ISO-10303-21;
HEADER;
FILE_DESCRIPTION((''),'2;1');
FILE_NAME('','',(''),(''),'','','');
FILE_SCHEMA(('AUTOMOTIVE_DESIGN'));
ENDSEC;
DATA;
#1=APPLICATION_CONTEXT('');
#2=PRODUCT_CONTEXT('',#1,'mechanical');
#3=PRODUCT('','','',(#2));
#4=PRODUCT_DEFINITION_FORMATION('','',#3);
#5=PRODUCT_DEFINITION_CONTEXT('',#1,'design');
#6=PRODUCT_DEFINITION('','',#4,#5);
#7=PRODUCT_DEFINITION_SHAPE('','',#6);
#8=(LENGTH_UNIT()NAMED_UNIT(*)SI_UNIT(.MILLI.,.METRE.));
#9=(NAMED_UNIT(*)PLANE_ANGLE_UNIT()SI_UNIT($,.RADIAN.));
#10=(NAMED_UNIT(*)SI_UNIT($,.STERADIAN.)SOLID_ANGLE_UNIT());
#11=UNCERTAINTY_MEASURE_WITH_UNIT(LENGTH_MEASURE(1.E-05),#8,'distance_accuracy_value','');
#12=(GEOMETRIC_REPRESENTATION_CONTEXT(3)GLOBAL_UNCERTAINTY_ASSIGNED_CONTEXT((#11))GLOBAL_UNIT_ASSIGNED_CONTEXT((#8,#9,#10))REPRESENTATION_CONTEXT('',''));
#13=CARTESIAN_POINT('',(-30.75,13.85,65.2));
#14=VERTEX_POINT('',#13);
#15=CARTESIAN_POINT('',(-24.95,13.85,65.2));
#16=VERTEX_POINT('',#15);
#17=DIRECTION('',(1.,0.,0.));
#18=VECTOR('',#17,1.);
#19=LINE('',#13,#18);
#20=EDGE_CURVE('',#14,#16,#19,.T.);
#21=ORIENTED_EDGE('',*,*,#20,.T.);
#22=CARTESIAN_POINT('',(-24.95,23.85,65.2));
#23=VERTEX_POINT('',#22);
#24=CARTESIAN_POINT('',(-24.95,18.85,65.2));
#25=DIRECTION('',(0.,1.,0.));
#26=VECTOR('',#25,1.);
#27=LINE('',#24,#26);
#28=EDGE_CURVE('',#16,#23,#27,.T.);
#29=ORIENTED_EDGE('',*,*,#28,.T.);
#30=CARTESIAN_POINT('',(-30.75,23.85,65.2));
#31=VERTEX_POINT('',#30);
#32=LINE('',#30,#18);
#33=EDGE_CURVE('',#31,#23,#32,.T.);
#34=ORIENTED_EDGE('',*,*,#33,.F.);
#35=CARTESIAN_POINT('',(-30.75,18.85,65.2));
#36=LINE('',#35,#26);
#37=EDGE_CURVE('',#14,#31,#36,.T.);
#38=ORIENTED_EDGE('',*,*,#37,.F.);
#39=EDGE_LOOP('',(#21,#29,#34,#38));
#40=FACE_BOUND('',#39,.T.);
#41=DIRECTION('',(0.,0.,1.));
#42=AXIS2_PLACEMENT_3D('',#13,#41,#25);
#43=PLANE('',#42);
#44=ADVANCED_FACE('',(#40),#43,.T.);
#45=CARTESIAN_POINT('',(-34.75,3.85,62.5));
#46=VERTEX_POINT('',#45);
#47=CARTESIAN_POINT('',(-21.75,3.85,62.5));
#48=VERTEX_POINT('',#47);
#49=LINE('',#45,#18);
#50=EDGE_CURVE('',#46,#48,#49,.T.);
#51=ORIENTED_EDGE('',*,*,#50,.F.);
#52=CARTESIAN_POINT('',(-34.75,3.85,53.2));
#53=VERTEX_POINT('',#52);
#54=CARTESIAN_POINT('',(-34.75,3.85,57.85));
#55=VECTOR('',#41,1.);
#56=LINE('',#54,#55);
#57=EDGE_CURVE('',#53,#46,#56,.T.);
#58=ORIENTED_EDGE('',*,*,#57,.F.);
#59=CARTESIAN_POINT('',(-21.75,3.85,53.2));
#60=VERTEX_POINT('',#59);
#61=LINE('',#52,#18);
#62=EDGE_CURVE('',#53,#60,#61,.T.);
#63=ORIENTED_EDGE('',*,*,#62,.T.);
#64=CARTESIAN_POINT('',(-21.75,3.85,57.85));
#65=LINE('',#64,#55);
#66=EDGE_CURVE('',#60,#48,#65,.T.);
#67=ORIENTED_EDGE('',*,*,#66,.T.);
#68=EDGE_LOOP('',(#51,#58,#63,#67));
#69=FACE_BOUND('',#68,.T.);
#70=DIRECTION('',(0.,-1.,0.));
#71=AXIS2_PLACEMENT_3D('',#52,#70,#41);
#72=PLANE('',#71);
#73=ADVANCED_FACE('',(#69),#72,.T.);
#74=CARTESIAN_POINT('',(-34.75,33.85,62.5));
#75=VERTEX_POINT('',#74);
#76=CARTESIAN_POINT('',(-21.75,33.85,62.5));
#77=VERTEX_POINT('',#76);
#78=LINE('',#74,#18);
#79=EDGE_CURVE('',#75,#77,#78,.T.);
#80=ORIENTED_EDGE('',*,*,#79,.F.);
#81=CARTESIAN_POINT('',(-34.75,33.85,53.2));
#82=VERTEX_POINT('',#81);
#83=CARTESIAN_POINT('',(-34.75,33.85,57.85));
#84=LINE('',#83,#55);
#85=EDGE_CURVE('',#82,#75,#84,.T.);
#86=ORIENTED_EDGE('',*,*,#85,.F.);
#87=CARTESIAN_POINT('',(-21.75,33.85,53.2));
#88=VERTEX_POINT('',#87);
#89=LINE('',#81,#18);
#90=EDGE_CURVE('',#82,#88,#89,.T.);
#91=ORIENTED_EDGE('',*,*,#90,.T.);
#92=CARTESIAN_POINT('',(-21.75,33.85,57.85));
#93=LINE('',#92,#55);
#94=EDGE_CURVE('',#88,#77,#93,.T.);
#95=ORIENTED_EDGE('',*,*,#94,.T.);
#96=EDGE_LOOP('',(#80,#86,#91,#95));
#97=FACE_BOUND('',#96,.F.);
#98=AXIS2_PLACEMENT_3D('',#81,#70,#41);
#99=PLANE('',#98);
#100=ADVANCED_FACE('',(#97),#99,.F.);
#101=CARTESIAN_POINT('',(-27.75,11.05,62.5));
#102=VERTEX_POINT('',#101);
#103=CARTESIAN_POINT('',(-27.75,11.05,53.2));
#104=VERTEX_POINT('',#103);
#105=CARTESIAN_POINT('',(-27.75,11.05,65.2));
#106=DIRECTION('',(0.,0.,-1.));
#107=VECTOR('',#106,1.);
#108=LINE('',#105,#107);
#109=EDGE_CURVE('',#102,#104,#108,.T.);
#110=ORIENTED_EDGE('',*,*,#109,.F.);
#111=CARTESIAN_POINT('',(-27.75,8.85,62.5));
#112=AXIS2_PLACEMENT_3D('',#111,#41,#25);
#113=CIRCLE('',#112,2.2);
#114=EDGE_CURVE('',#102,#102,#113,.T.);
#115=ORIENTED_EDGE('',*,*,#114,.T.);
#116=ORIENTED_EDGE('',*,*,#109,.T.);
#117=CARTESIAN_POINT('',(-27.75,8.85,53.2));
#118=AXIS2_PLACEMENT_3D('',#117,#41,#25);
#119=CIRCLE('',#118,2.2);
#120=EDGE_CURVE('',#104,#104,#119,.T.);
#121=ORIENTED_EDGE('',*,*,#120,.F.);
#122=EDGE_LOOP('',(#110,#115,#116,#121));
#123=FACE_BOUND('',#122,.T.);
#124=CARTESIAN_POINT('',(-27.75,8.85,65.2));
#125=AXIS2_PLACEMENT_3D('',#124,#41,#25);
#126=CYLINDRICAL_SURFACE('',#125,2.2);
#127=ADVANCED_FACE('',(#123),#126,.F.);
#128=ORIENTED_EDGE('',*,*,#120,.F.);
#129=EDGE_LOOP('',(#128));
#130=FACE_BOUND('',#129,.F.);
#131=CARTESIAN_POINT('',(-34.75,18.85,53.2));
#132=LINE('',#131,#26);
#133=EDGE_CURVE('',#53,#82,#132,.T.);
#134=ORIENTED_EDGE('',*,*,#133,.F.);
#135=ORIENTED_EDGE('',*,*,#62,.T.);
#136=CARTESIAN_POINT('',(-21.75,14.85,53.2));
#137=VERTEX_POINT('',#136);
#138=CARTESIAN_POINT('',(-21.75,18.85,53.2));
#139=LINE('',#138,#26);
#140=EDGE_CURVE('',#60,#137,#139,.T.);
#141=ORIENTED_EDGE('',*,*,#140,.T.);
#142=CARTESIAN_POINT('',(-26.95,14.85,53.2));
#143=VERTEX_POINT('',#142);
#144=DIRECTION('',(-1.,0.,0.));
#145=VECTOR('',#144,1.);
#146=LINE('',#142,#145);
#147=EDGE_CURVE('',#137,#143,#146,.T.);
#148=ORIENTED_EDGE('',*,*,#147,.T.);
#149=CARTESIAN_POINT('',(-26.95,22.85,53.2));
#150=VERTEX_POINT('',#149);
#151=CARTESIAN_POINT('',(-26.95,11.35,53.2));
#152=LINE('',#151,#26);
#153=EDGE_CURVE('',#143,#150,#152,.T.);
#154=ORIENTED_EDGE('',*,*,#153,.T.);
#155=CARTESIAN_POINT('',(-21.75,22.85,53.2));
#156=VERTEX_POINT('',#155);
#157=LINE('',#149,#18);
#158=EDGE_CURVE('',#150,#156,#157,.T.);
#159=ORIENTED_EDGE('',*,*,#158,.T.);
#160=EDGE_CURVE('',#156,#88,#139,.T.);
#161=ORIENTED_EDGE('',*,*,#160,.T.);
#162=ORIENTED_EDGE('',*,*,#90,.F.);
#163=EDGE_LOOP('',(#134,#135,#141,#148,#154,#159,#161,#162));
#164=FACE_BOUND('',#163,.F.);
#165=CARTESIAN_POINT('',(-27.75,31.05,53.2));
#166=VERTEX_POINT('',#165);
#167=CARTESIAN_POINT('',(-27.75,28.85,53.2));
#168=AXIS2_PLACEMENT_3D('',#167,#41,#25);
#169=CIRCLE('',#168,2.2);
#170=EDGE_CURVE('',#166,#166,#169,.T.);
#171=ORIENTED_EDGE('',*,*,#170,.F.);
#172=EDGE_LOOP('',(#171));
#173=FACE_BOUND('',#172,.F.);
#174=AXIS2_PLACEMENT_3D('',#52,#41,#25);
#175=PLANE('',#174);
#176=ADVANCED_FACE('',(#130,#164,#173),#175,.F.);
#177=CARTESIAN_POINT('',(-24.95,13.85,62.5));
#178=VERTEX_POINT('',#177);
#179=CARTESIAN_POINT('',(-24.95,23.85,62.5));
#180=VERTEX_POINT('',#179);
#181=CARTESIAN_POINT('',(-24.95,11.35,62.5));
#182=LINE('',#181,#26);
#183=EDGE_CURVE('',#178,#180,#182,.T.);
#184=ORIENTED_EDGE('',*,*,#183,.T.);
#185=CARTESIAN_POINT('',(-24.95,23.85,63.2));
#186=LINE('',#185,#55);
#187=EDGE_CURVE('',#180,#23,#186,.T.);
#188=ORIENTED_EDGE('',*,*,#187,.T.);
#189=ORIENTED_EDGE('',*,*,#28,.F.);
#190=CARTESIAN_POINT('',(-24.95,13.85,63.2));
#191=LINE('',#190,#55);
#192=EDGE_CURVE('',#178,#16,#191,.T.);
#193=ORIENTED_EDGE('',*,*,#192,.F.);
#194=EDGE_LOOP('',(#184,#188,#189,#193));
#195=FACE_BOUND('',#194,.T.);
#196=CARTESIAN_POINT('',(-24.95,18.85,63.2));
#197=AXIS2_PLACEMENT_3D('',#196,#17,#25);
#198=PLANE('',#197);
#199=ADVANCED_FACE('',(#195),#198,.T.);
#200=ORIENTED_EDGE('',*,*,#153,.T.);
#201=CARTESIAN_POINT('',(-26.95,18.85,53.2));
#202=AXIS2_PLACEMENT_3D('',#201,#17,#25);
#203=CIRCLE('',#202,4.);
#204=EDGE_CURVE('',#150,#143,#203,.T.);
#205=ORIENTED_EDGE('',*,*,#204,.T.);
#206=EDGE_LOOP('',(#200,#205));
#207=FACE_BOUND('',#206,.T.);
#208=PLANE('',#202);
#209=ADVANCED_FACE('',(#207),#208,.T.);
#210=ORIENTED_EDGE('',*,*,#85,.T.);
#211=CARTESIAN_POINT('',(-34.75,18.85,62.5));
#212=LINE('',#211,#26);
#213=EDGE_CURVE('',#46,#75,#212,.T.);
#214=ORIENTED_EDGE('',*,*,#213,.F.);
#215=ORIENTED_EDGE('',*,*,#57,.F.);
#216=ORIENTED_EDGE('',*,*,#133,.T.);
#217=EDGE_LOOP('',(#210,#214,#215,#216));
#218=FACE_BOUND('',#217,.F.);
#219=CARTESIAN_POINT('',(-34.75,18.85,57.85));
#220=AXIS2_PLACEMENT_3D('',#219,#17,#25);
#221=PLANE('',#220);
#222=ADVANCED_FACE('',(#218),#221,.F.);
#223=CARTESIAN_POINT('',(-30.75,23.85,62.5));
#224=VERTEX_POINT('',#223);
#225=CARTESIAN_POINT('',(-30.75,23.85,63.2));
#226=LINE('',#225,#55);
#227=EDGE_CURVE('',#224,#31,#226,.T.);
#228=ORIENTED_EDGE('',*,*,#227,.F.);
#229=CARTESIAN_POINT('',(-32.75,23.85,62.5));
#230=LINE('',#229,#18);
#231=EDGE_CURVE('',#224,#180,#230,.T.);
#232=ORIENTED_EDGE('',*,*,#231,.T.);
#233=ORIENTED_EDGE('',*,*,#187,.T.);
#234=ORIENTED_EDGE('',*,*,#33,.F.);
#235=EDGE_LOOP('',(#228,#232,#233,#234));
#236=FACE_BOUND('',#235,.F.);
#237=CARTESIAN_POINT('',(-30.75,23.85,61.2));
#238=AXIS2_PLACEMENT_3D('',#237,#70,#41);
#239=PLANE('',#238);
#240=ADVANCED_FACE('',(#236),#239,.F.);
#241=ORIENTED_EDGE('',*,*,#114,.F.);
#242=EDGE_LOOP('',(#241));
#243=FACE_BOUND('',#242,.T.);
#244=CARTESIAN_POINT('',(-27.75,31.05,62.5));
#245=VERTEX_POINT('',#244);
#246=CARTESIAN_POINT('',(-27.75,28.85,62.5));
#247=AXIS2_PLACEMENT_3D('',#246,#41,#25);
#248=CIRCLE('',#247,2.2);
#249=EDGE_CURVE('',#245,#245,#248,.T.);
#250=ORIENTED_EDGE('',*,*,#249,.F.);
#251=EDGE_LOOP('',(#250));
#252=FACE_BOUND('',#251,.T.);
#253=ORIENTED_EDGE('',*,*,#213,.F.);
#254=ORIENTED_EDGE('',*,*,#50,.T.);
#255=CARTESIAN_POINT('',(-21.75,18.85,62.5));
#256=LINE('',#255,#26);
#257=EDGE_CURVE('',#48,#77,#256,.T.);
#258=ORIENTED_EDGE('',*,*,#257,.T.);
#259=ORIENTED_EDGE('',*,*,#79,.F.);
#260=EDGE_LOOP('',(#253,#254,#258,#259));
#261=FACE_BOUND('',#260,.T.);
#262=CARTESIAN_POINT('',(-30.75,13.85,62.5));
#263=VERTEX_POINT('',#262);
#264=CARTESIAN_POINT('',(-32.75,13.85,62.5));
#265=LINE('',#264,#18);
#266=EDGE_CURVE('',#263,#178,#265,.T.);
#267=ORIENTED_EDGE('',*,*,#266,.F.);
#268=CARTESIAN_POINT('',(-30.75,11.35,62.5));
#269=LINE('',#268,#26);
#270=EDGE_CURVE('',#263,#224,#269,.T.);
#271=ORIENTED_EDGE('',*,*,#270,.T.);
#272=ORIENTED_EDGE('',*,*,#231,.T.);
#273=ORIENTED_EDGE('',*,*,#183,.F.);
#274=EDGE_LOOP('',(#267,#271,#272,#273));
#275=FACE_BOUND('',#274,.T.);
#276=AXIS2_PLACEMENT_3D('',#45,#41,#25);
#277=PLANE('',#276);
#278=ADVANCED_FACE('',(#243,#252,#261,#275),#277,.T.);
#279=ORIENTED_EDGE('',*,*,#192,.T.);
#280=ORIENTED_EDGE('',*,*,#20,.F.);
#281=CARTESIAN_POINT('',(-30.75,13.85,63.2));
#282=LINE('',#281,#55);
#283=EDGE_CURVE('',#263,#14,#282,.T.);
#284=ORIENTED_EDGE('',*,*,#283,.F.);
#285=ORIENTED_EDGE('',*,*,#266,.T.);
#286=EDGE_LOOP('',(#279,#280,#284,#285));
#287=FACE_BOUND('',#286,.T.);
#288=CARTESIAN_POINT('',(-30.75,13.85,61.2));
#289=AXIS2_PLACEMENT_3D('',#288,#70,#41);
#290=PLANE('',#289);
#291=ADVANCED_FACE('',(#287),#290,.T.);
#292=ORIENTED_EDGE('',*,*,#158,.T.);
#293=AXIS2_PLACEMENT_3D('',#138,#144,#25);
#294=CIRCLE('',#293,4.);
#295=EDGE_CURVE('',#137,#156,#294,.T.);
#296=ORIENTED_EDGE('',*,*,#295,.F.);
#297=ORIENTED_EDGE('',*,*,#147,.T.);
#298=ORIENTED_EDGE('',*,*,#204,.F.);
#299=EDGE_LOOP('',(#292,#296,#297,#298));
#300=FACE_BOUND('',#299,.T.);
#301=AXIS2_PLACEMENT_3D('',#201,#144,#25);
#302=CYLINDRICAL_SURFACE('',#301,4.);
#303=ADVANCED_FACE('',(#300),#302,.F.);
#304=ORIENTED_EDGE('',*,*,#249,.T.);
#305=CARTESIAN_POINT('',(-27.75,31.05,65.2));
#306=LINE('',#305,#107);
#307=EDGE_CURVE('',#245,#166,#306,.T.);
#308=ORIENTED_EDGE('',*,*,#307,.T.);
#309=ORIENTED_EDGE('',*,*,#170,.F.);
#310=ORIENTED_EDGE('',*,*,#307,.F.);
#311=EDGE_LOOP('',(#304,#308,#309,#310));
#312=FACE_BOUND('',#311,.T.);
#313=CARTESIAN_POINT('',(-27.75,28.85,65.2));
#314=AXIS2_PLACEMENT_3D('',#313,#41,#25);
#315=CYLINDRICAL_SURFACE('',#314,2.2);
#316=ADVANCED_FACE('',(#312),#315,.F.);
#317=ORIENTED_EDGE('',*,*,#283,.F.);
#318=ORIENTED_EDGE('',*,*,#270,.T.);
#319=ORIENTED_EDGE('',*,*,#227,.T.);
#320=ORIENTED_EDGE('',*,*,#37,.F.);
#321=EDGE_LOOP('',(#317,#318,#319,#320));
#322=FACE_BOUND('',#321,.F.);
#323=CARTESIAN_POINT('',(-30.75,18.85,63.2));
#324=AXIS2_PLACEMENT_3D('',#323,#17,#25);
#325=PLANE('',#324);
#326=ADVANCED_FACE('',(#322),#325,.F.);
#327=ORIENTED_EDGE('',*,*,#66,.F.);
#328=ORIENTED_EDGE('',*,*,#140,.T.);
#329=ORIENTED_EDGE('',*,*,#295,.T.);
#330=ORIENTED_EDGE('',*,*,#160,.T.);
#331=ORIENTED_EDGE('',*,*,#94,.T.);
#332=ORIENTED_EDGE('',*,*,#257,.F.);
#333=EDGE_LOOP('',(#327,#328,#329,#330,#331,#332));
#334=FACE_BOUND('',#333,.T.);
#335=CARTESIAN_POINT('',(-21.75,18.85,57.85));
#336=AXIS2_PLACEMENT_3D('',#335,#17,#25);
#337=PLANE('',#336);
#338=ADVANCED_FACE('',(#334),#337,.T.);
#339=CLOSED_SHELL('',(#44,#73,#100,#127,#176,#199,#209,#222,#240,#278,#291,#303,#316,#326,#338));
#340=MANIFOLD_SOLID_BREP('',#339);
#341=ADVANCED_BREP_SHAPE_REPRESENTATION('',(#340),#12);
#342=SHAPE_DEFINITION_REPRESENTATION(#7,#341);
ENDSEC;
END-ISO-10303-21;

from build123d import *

# Parameters (mm, degrees)
BOX056_W                  = 10
BOX056_H                  = 4
BOX056_DEPTH              = 5.8
CYLINDER077_R             = 2.2
CYLINDER077_DEPTH         = 25
CYLINDER076_R             = 2.2
CYLINDER076_DEPTH         = 25
CYLINDER075_R             = 4
CYLINDER075_DEPTH         = 6
BOX055_W                  = 30
BOX055_H                  = 9.3
BOX055_DEPTH              = 13
FUSION042_ROLL_ANGLE      = 90
FUSION042_PLACEMENT_ANGLE = 90


with BuildPart() as quader035:
    # Box056 → Box056 (new body)
    with BuildSketch(Plane(origin=(-5, 8, 2), x_dir=(1, 0, 0), z_dir=(0, 0, 1))):
        with Locations((5, 2)):
            Rectangle(BOX056_W, BOX056_H)
    extrude(amount=BOX056_DEPTH)


with BuildPart() as zylinder066:
    # Cylinder077 → Cylinder077 (new body)
    with BuildSketch(Plane(origin=(-10, 12, 5), x_dir=(1, 0, 0), z_dir=(0, -1, 0))):
        Circle(CYLINDER077_R)
    extrude(amount=CYLINDER077_DEPTH)


with BuildPart() as zylinder065:
    # Cylinder076 → Cylinder076 (new body)
    with BuildSketch(Plane(origin=(10, 12, 5), x_dir=(1, 0, 0), z_dir=(0, -1, 0))):
        Circle(CYLINDER076_R)
    extrude(amount=CYLINDER076_DEPTH)


with BuildPart() as zylinder064:
    # Cylinder075 → Cylinder075 (new body)
    with BuildSketch(Plane.XY.offset(5.8)):
        Circle(CYLINDER075_R)
    extrude(amount=CYLINDER075_DEPTH)


with BuildPart() as y_drive_mount001:
    # Box055 → Box055 (new body)
    with BuildSketch(Plane(origin=(-15, 0, -2), x_dir=(1, 0, 0), z_dir=(0, 0, 1))):
        with Locations((15, 4.65)):
            Rectangle(BOX055_W, BOX055_H)
    extrude(amount=BOX055_DEPTH)

    # Cut084: cut Zylinder064
    add(zylinder064.part, mode=Mode.SUBTRACT)

    # Cut085: cut Zylinder065
    add(zylinder065.part, mode=Mode.SUBTRACT)

    # Cut086: cut Zylinder066
    add(zylinder066.part, mode=Mode.SUBTRACT)

    # Fusion042: union Quader035
    add(quader035.part)


with BuildPart() as y_drive_mount001_1:
    # Fusion042 roll: moved
    add(y_drive_mount001.part.rotate(Axis((0, 0, 0), (1, 0, 0)), FUSION042_ROLL_ANGLE))


with BuildPart() as y_drive_mount001_2:
    # Fusion042 placement: moved
    add(y_drive_mount001_1.part.moved(Location((-32.75, 18.85, 53.2))).rotate(Axis((-32.75, 18.85, 53.2), (0, 0, 1)), FUSION042_PLACEMENT_ANGLE))


solid = y_drive_mount001_2.part
